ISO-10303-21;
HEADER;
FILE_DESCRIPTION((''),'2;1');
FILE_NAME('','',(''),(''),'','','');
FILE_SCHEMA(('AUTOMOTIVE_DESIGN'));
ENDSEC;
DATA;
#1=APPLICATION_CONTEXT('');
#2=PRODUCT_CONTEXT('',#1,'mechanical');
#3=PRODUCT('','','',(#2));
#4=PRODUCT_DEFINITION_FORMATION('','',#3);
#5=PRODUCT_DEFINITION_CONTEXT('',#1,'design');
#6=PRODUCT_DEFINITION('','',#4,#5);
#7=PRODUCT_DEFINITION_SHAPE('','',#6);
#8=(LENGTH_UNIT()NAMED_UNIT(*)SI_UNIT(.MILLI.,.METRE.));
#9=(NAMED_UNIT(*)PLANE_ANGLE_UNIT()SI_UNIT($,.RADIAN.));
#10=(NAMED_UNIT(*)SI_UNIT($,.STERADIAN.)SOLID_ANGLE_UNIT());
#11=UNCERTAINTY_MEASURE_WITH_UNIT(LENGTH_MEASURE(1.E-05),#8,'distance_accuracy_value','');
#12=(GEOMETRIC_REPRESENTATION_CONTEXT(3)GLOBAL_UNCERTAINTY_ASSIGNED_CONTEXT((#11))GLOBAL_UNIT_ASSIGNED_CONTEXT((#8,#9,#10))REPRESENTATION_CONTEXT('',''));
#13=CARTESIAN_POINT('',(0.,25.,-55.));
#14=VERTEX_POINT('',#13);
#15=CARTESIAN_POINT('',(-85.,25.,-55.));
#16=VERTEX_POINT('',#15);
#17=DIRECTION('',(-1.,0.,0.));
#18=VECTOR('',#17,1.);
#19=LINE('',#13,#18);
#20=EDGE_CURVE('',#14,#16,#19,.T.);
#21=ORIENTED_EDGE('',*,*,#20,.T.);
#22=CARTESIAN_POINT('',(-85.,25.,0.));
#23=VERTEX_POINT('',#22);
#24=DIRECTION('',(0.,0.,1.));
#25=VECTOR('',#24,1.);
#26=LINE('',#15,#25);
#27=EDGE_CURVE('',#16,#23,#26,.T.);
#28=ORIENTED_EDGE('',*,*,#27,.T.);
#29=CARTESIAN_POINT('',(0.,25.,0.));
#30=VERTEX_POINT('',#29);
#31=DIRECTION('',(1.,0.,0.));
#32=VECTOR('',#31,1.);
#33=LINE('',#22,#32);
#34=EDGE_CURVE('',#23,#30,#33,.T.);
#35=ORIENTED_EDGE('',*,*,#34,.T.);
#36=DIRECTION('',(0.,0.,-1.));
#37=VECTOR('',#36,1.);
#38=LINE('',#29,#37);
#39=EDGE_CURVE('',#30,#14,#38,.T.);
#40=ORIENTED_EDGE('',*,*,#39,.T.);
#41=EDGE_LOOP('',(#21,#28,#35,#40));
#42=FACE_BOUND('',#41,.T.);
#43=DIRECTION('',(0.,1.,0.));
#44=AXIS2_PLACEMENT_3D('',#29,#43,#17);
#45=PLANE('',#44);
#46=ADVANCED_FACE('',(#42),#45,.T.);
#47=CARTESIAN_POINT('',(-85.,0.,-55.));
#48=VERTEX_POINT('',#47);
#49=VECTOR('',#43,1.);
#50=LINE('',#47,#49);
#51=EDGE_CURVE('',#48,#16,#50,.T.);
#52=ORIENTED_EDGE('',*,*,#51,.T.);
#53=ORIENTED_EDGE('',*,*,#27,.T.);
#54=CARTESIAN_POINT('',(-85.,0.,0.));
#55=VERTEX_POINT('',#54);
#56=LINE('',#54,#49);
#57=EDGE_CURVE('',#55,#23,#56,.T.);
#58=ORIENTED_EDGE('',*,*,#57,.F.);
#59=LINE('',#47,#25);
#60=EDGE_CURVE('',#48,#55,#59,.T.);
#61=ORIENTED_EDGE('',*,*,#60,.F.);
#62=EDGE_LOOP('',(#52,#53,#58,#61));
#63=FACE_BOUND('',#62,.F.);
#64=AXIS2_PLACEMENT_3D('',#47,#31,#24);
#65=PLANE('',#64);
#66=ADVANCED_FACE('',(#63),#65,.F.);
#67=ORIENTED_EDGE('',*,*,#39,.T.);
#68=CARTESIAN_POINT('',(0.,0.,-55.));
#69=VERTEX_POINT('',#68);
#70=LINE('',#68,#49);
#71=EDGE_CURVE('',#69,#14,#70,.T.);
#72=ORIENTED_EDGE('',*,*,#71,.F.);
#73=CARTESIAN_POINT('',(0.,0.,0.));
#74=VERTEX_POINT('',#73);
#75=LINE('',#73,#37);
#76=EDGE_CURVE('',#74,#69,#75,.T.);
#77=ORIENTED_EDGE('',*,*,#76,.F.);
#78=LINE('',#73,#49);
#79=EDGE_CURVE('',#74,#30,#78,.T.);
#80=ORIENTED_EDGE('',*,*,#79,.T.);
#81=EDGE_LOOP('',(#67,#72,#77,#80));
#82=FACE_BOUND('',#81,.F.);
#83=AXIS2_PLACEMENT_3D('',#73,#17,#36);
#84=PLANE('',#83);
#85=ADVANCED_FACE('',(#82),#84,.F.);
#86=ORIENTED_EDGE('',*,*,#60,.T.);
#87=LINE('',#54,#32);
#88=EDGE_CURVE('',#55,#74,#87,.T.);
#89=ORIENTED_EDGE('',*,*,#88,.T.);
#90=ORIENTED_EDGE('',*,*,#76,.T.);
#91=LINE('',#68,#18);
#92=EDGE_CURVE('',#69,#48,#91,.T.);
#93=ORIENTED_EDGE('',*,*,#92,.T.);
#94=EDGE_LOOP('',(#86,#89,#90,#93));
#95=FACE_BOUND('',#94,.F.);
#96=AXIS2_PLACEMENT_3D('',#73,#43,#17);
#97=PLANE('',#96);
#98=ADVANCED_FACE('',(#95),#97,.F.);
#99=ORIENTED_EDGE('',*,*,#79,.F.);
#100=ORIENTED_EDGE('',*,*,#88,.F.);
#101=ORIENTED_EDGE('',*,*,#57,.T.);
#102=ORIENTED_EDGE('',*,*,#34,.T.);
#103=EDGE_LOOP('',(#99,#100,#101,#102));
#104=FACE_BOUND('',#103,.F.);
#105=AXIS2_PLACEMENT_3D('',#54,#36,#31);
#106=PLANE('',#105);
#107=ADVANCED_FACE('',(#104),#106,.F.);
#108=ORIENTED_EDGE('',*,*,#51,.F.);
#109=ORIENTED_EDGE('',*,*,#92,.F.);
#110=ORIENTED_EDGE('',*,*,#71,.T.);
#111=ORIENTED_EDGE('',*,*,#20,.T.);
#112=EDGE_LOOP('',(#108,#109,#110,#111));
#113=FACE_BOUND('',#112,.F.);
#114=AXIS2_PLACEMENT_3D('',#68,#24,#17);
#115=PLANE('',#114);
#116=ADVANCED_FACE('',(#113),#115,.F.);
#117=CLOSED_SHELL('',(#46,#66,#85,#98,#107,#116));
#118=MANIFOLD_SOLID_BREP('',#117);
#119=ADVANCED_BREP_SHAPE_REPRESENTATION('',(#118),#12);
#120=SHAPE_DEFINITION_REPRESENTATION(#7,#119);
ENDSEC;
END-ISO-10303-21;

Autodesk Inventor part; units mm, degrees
ref_plane "YZ Plane" through (0, 0, 0) normal (1, 0, 0) x (0, 1, 0)
ref_plane "XZ Plane" through (0, 0, 0) normal (0, 1, 0) x (-1, 0, 0)
ref_plane "XY Plane" through (0, 0, 0) normal (0, 0, 1) x (1, 0, 0)
sketch "Sketch1" plane through (0, 0, 0) normal (0, 1, 0) x (-1, 0, 0)
  line L0 (0, 0) -> (0, -55)
  line L1 (0, -55) -> (85, -55)
  line L2 (85, -55) -> (85, 0)
  line L3 (85, 0) -> (0, 0)
  dimension "d0" = 55
  dimension "d1" = 85
extrude "Extrusion1" add sketch "Sketch1" along normal blind 25
properties part number "Circuit"
